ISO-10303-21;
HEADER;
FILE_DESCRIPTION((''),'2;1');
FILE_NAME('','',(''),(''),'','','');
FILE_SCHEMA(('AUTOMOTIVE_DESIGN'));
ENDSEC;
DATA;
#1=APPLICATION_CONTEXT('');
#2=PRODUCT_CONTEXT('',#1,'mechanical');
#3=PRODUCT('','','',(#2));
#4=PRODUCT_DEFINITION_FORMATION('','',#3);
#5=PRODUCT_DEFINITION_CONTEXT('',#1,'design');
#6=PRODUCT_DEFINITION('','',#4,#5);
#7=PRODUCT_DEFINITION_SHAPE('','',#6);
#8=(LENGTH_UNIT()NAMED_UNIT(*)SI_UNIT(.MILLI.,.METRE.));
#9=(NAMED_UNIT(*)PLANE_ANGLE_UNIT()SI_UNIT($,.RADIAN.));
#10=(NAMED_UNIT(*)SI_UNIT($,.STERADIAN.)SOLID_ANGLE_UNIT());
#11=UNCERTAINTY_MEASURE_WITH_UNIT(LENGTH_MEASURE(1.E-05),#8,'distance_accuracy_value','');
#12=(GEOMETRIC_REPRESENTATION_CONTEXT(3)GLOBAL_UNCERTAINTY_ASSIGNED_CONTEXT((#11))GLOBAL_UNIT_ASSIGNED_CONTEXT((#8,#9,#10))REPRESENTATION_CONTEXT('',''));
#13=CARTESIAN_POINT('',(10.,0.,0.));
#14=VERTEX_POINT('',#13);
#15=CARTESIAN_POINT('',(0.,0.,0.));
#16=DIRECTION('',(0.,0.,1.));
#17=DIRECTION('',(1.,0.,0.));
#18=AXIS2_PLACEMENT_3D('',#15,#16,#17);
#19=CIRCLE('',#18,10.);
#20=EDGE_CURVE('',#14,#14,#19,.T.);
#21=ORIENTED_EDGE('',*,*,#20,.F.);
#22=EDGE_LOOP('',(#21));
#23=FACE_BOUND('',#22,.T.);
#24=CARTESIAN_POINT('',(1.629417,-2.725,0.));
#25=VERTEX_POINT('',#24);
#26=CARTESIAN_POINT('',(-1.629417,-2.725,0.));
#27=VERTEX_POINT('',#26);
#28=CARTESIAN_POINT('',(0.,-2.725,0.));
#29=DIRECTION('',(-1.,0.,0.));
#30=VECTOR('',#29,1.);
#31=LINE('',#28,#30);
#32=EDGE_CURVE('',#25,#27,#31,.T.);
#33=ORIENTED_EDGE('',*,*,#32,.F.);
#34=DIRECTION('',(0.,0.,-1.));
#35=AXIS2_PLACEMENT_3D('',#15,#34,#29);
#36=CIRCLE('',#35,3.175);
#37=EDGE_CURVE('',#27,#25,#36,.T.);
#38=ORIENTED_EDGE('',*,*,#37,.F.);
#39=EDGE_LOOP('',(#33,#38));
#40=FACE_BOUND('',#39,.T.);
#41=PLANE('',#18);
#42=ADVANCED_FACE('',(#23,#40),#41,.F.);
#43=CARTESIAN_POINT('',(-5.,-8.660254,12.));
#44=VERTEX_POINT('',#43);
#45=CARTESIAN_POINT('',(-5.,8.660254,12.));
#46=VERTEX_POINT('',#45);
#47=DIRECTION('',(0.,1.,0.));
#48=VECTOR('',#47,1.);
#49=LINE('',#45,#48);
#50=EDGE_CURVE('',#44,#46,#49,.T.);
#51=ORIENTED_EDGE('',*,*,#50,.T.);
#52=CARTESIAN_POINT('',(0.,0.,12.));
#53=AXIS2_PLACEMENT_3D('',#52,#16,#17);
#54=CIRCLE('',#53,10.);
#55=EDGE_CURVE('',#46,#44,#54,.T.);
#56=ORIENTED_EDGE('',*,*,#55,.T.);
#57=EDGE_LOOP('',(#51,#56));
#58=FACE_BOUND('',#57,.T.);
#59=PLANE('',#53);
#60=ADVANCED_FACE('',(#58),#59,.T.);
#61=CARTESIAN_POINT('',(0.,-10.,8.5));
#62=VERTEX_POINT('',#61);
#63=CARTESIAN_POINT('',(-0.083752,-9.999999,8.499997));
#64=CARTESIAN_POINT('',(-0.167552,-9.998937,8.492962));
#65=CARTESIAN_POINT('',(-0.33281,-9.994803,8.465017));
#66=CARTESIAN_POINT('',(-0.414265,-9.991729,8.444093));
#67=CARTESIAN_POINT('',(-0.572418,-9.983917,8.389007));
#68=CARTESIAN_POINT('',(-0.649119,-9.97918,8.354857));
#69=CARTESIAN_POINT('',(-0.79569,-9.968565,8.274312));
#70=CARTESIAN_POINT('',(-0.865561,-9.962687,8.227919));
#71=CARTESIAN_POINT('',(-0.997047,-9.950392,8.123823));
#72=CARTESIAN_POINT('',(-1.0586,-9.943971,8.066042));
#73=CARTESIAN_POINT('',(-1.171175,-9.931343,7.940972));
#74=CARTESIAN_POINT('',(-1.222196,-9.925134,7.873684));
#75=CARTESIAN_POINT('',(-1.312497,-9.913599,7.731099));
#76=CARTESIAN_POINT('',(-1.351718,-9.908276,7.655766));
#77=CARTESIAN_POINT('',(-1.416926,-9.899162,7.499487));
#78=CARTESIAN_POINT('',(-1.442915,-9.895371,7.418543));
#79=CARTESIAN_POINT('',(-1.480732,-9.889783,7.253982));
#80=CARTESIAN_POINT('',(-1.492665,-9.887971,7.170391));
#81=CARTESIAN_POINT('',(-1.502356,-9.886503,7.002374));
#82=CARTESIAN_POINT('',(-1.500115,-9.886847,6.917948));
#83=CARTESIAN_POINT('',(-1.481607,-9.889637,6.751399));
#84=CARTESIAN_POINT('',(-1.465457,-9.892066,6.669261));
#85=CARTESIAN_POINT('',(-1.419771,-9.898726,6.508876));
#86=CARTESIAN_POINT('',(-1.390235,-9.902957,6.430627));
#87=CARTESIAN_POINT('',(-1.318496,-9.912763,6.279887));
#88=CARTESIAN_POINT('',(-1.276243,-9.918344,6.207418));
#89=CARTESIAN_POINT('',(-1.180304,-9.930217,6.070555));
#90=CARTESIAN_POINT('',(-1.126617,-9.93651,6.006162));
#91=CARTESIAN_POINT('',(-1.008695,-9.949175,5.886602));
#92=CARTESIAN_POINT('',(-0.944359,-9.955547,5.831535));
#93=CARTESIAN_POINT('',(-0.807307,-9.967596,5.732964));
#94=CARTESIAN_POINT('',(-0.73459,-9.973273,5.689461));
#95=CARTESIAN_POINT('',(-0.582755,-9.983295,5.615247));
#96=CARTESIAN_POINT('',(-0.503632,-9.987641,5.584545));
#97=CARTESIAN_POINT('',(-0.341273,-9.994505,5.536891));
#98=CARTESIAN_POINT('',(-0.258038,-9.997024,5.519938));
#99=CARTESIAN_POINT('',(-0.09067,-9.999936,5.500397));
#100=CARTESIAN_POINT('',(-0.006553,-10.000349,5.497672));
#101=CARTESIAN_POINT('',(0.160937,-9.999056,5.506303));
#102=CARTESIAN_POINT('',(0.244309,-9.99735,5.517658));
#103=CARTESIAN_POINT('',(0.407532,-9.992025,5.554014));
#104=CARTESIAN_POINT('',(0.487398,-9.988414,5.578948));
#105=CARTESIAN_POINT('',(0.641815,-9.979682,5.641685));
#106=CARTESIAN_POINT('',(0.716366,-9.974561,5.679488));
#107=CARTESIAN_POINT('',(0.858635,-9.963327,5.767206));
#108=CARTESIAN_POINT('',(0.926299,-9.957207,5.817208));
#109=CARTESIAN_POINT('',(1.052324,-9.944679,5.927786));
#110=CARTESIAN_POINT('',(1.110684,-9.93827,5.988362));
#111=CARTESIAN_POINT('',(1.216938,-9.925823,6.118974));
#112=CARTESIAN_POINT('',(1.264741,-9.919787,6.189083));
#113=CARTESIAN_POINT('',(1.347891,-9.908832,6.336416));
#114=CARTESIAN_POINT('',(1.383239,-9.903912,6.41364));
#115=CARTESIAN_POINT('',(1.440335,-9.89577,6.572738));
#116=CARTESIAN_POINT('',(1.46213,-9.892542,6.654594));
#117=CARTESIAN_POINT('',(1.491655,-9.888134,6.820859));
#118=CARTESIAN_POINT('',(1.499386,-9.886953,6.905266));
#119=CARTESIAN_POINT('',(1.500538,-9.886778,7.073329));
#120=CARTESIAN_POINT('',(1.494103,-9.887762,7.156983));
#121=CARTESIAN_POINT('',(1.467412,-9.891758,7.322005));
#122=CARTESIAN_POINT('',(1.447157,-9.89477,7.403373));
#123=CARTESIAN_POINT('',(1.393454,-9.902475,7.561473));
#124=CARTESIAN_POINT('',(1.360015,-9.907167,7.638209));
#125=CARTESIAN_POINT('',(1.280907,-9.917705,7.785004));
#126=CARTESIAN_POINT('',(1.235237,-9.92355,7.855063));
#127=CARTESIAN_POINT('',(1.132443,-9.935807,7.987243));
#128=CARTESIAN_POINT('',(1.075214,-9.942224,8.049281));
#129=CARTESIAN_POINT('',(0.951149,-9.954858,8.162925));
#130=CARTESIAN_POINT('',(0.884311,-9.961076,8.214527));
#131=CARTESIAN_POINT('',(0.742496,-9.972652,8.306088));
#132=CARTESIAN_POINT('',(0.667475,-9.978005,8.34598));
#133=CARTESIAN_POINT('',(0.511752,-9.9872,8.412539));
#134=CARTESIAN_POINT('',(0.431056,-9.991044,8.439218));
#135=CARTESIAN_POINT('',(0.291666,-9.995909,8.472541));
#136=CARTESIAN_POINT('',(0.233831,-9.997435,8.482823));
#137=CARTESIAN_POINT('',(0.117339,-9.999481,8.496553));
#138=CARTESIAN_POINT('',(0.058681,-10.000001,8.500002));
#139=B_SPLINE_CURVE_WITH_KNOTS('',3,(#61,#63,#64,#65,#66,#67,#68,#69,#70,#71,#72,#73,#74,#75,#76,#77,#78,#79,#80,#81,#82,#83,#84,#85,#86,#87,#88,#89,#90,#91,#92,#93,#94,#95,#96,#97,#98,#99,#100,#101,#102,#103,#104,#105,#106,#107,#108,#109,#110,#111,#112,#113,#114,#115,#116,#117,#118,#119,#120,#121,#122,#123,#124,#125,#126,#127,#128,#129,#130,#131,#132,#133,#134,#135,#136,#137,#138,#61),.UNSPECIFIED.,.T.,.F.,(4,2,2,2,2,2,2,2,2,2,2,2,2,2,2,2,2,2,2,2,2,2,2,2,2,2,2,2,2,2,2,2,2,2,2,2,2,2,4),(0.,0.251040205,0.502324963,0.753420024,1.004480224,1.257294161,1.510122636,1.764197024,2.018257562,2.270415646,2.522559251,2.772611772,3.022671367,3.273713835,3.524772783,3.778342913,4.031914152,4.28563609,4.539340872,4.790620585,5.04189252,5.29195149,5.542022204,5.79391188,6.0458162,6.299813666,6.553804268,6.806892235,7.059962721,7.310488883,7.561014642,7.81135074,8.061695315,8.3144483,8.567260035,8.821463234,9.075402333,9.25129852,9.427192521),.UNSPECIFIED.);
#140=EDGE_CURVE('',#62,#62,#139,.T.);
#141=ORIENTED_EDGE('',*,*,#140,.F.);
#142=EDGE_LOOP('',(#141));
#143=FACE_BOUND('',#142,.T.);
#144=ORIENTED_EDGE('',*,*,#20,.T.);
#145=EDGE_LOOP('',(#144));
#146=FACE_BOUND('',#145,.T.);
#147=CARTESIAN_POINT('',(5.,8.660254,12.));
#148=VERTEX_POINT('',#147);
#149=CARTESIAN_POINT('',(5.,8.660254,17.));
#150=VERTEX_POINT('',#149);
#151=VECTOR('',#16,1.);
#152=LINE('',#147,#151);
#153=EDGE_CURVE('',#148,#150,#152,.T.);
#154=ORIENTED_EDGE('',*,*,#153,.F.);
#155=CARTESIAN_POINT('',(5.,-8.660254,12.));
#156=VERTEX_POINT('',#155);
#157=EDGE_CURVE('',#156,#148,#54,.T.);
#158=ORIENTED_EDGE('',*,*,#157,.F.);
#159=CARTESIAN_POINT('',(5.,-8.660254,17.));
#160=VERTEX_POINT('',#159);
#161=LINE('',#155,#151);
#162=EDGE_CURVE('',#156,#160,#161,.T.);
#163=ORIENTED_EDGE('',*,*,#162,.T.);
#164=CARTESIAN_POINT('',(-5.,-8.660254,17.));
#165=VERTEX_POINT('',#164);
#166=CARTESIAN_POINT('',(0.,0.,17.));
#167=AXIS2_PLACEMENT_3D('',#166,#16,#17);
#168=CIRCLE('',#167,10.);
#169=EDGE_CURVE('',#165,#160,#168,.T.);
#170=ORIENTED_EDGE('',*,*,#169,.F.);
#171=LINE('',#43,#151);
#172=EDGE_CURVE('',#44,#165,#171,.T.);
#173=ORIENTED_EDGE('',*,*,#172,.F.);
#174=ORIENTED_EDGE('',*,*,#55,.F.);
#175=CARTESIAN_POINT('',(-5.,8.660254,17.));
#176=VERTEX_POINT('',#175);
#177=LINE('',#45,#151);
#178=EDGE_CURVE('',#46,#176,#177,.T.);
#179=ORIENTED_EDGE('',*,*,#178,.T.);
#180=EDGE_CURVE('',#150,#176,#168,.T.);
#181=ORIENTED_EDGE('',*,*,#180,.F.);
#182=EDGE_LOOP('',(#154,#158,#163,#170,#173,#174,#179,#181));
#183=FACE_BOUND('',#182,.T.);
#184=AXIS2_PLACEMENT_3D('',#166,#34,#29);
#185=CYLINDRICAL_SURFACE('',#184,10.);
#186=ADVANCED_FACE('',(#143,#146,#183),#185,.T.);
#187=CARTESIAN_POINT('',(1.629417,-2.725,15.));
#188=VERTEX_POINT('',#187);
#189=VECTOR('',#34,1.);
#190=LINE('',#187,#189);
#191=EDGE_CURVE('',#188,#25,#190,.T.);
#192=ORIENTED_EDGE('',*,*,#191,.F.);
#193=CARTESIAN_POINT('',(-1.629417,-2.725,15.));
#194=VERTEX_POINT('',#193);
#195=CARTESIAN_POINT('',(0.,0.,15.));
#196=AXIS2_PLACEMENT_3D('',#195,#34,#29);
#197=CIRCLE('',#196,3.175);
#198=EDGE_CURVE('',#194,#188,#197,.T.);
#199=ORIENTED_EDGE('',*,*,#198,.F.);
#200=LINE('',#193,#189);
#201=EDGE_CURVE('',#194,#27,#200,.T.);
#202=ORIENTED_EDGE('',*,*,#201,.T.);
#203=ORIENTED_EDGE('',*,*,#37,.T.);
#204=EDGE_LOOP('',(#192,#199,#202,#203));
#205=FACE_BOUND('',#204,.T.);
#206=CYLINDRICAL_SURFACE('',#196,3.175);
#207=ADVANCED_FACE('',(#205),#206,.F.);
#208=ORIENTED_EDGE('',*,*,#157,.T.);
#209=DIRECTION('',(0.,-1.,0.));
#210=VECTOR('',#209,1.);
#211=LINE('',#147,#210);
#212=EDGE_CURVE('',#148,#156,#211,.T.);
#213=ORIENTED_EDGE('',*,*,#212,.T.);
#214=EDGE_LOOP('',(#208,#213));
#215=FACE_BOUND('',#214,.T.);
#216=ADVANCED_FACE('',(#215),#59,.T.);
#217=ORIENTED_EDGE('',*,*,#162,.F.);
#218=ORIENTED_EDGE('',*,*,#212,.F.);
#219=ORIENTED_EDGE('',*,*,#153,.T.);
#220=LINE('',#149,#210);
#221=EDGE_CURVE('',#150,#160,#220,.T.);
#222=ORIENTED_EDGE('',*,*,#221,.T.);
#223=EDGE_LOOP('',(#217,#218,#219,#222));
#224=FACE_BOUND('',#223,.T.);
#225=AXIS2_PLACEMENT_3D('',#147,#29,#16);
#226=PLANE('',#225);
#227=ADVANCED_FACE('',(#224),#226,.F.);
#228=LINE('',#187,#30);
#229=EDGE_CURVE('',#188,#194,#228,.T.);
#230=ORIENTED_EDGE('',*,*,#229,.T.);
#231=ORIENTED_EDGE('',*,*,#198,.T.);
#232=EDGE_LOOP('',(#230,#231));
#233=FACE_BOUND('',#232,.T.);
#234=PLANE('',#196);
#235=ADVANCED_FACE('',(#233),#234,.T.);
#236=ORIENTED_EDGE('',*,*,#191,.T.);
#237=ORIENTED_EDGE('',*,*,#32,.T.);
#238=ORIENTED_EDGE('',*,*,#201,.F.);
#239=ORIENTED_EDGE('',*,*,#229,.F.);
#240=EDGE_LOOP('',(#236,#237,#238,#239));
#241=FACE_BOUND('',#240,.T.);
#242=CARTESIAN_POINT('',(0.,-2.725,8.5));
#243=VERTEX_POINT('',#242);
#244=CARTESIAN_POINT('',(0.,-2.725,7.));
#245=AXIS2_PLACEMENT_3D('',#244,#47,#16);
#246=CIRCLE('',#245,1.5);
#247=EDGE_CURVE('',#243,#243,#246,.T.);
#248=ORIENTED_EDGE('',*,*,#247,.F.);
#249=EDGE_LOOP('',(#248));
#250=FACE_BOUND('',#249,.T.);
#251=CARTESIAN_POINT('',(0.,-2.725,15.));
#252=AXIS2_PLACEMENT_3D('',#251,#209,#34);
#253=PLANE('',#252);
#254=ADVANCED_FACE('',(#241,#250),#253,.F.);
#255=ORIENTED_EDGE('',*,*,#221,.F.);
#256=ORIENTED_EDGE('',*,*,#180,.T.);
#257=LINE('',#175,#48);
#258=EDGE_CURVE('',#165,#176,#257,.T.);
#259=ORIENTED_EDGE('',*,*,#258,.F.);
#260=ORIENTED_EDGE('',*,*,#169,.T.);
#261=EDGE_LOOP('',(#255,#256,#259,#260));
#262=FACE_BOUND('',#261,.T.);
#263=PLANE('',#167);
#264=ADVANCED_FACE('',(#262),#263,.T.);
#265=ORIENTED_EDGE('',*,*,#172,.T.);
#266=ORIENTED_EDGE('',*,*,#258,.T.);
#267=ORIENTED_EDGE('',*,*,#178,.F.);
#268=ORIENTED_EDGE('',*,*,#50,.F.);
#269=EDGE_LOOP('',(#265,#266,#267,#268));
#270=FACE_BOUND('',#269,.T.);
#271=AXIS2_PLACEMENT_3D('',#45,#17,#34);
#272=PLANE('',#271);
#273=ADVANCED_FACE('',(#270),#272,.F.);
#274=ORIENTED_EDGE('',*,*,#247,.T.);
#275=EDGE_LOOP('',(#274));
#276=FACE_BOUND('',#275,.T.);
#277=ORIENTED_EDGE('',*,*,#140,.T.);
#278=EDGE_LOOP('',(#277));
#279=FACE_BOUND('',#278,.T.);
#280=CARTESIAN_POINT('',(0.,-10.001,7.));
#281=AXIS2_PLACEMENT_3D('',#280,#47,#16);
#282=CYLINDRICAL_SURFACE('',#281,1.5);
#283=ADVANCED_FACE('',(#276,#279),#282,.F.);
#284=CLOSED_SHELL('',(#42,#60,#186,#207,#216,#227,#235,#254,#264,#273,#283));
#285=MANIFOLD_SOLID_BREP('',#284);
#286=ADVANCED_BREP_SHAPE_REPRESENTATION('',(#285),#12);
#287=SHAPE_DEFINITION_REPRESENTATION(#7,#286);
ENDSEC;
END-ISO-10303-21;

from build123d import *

# Parameters (mm, degrees)
ESBO_O1_R                  = 10
RESSALTO_EXTRUS_O1_DEPTH   = 17
CORTE_EXTRUS_O1_START      = -5
CORTE_EXTRUS_O1_DEPTH      = 5
CORTE_EXTRUS_O2_DEPTH      = 15
CORTE_EXTRUS_O3_REACH      = 25.472
CORTE_EXTRUS_O3_END_RADIUS = 10
ESBO_O4_R                  = 1.5


with BuildPart() as part:
    # Esboço1 → Ressalto-extrusão1 (new body)
    with BuildSketch(Plane.XY):
        Circle(ESBO_O1_R)
    extrude(amount=RESSALTO_EXTRUS_O1_DEPTH)

    # Esboço2 → Corte-extrusão1 (cut)
    with BuildSketch(Plane.XY.offset(17).offset(CORTE_EXTRUS_O1_START)):
        with BuildLine():
            Line((-5, 8.660254038), (-5, -8.660254038))
            ThreePointArc((-5, -8.660254038), (-10, 0), (-5, 8.660254038))
        make_face()
        with BuildLine():
            Line((5, 8.660254038), (5, -8.660254038))
            ThreePointArc((5, -8.660254038), (10, 0), (5, 8.660254038))
        make_face()
    extrude(amount=CORTE_EXTRUS_O1_DEPTH, mode=Mode.SUBTRACT)

    # Esboço3 → Corte-extrusão2 (cut)
    with BuildSketch(Plane(origin=(0, 0, 0), x_dir=(-1, 0, 0), z_dir=(0, 0, -1))):
        with BuildLine():
            Line((0, -2.725), (1.629417074, -2.725))
            ThreePointArc((1.629417074, -2.725), (0, 3.175), (-1.629417074, -2.725))
            Line((-1.629417074, -2.725), (0, -2.725))
        make_face()
    extrude(amount=-CORTE_EXTRUS_O2_DEPTH, mode=Mode.SUBTRACT)

    # Corte-extrusão3: up to this cylinder (the profile starts inside it)
    corte_extrus_o3_end = Plane(origin=(0, 0, 7), z_dir=(0, 0, -1)) * Cylinder(CORTE_EXTRUS_O3_END_RADIUS, 71.944, mode=Mode.PRIVATE)
    # Esboço4 → Corte-extrusão3 (cut, up to the surface)
    with BuildSketch(Plane(origin=(0, -2.725, 0), x_dir=(1, 0, 0), z_dir=(0, 1, 0)), mode=Mode.PRIVATE) as corte_extrus_o3_sk1:
        with Locations(Location((0, -7, 0), (0, 0, 270))):
            Circle(ESBO_O4_R)
    corte_extrus_o3_tool1 = extrude(corte_extrus_o3_sk1.sketch, amount=-CORTE_EXTRUS_O3_REACH, mode=Mode.PRIVATE) & corte_extrus_o3_end
    add(corte_extrus_o3_tool1.solids().sort_by_distance((0, -2.725, 7))[0], mode=Mode.SUBTRACT)


solid = part.part
